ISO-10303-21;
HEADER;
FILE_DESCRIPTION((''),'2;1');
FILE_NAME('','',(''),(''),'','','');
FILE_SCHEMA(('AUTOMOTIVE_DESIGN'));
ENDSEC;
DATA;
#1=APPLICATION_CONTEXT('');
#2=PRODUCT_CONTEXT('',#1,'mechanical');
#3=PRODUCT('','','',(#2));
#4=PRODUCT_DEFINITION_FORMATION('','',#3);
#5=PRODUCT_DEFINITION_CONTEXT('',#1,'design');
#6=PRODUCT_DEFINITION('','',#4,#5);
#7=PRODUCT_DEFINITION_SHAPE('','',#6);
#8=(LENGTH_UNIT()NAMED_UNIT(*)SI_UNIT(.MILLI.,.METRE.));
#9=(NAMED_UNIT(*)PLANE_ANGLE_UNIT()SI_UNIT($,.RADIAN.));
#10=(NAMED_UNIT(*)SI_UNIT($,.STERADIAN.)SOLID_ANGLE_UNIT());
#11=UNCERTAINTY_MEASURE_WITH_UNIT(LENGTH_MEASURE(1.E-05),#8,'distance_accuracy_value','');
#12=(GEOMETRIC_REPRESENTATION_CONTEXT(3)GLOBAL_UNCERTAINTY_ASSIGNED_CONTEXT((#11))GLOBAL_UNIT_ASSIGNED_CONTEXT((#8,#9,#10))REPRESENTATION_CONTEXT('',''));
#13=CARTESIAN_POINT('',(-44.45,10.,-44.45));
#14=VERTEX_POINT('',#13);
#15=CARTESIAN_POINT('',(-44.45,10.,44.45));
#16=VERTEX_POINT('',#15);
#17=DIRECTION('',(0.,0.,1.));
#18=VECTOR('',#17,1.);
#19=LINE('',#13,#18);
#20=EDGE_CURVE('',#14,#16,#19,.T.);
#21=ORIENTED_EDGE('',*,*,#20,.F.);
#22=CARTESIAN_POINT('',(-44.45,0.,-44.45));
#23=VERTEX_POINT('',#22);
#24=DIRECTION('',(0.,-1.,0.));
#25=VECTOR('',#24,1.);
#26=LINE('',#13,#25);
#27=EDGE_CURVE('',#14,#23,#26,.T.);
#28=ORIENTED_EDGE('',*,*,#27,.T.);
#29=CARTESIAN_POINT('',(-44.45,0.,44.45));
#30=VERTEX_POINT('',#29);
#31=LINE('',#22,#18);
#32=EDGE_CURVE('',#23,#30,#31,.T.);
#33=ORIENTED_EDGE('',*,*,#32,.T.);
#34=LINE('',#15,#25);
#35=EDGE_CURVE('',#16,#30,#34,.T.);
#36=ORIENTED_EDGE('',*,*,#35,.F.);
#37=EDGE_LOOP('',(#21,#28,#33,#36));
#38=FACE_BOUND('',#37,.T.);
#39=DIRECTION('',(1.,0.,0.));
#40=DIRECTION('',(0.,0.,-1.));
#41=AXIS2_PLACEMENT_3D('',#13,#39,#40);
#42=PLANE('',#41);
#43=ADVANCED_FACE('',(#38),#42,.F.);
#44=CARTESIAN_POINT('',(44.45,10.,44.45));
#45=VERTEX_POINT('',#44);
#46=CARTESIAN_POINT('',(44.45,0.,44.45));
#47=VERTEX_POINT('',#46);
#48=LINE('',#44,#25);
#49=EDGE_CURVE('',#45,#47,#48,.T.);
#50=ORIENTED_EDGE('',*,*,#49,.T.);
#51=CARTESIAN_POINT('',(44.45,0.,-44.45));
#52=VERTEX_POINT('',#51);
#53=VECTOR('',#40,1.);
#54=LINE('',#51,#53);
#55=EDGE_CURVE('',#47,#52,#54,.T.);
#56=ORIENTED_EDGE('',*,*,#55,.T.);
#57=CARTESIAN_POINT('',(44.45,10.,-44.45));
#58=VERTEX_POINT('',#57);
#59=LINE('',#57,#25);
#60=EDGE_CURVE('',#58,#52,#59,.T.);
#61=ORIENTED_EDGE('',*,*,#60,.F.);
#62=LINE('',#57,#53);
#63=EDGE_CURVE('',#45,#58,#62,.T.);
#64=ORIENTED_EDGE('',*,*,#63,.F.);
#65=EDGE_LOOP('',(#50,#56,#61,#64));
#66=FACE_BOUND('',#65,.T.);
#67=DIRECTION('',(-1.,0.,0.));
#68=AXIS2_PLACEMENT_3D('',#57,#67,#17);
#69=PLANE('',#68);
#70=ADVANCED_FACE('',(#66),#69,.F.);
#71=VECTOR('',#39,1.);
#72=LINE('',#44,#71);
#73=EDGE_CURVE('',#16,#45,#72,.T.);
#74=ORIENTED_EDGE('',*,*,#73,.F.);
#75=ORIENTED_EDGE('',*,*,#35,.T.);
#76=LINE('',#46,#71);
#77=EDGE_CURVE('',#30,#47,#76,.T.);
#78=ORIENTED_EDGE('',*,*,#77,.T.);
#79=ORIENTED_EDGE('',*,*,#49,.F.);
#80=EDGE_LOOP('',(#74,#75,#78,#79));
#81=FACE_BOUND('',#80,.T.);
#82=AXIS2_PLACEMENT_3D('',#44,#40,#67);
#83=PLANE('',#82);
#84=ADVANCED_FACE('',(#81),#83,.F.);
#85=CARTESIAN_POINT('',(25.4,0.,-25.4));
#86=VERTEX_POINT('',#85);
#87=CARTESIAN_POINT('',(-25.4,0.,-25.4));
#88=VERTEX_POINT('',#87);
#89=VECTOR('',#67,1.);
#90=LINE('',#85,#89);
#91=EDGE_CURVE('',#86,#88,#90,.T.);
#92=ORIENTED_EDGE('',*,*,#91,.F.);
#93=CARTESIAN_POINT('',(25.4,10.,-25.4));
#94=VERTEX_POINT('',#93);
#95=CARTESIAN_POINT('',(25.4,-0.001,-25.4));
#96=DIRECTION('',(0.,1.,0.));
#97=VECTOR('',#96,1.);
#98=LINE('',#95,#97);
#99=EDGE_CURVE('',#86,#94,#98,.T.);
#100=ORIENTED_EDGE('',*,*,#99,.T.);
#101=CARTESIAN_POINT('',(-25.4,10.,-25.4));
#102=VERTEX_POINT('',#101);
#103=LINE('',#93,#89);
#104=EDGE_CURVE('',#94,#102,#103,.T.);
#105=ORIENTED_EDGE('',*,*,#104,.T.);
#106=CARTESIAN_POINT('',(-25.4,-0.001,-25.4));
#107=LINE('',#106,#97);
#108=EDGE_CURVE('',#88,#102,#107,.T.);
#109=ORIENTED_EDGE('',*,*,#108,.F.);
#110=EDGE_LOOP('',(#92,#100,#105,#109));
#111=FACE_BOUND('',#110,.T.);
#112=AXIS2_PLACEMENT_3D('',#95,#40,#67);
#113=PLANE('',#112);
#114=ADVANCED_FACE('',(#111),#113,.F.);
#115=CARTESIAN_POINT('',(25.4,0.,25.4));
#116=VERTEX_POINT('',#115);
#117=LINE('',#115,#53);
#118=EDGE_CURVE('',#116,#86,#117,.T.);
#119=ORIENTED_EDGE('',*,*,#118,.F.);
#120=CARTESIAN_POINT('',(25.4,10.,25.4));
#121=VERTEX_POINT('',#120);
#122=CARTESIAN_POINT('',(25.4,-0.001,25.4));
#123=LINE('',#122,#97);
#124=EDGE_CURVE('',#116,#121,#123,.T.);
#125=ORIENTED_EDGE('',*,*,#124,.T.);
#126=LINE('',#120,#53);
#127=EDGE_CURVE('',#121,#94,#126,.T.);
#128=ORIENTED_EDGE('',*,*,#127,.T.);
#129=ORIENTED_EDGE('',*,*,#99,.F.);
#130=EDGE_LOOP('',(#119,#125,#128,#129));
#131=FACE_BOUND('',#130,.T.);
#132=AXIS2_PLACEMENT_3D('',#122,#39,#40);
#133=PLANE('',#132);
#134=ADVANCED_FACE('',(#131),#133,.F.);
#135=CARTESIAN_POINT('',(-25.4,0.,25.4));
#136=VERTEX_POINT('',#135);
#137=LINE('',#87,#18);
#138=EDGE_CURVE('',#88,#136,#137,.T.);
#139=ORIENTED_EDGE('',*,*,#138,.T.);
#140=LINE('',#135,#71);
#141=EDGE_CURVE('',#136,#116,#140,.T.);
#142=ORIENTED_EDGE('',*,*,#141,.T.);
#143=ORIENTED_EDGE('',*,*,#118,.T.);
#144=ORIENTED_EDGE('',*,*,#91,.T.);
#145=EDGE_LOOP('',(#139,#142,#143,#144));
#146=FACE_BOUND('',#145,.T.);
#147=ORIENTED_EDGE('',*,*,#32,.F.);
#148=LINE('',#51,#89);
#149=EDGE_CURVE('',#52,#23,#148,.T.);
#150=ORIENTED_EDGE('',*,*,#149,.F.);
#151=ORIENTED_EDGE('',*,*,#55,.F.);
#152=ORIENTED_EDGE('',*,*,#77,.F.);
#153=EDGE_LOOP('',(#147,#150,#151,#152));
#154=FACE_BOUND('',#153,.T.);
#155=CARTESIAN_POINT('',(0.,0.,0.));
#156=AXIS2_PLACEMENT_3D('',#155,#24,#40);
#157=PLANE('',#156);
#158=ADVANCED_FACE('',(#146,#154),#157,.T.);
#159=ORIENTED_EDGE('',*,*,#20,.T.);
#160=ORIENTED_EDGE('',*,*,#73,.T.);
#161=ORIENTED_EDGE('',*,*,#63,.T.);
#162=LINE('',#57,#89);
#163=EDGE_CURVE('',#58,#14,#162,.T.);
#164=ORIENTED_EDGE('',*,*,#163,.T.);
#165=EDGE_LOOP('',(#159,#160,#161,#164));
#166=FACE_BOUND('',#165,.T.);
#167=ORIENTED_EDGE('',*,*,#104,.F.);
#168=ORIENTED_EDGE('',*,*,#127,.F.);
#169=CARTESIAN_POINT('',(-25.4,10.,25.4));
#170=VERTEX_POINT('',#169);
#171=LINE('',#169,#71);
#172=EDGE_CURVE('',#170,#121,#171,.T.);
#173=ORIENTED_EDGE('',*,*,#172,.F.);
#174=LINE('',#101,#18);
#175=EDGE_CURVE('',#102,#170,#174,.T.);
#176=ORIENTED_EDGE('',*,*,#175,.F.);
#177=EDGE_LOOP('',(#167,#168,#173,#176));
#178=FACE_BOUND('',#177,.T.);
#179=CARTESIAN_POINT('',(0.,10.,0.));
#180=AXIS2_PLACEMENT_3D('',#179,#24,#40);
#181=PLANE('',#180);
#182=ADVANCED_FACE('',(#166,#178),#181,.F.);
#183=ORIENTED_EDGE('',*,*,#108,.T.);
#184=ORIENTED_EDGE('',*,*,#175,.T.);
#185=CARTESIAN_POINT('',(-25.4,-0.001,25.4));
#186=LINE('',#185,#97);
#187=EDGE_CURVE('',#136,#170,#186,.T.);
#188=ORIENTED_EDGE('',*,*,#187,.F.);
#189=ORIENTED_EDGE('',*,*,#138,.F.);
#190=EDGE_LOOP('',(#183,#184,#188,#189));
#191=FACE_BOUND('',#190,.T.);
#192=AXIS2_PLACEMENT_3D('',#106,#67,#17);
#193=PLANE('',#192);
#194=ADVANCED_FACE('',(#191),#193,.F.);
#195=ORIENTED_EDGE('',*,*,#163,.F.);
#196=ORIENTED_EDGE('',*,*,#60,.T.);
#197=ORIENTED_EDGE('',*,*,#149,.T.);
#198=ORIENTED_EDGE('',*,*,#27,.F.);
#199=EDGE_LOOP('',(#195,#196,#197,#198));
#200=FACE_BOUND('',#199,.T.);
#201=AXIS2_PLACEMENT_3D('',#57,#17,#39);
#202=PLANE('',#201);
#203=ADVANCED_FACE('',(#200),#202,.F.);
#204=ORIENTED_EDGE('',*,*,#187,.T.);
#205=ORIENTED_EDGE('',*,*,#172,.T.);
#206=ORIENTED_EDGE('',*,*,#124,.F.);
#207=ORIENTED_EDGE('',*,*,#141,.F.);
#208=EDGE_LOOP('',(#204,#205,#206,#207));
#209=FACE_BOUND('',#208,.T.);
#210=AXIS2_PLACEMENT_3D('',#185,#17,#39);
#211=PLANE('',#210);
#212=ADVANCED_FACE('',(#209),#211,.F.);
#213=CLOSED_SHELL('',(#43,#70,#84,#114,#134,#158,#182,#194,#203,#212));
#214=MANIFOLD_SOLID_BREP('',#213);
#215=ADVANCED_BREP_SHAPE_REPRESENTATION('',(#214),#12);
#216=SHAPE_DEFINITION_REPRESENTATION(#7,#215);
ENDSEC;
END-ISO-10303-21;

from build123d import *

# Parameters (mm, degrees)
SKETCH1_W           = 88.9
SKETCH1_H           = 88.9
BOSS_EXTRUDE1_DEPTH = 10
CUT_EXTRUDE1_REACH  = 12
SKETCH2_W           = 50.8
SKETCH2_H           = 50.8


with BuildPart() as part:
    # Sketch1 → Boss-Extrude1 (new body)
    with BuildSketch(Plane(origin=(0, 0, 0), x_dir=(1, 0, 0), z_dir=(0, 1, 0))):
        Rectangle(SKETCH1_W, SKETCH1_H)
    extrude(amount=BOSS_EXTRUDE1_DEPTH)

    # Sketch2 → Cut-Extrude1 (cut, up to next)
    with BuildSketch(Plane(origin=(0, 10, 0), x_dir=(1, 0, 0), z_dir=(0, 1, 0)), mode=Mode.PRIVATE) as cut_extrude1_sk1:
        Rectangle(SKETCH2_W, SKETCH2_H)
    cut_extrude1_tool1 = extrude(cut_extrude1_sk1.sketch, amount=-CUT_EXTRUDE1_REACH, mode=Mode.PRIVATE) & part.part
    add(cut_extrude1_tool1.solids().sort_by_distance((0, 10, 0))[0], mode=Mode.SUBTRACT)


solid = part.part
